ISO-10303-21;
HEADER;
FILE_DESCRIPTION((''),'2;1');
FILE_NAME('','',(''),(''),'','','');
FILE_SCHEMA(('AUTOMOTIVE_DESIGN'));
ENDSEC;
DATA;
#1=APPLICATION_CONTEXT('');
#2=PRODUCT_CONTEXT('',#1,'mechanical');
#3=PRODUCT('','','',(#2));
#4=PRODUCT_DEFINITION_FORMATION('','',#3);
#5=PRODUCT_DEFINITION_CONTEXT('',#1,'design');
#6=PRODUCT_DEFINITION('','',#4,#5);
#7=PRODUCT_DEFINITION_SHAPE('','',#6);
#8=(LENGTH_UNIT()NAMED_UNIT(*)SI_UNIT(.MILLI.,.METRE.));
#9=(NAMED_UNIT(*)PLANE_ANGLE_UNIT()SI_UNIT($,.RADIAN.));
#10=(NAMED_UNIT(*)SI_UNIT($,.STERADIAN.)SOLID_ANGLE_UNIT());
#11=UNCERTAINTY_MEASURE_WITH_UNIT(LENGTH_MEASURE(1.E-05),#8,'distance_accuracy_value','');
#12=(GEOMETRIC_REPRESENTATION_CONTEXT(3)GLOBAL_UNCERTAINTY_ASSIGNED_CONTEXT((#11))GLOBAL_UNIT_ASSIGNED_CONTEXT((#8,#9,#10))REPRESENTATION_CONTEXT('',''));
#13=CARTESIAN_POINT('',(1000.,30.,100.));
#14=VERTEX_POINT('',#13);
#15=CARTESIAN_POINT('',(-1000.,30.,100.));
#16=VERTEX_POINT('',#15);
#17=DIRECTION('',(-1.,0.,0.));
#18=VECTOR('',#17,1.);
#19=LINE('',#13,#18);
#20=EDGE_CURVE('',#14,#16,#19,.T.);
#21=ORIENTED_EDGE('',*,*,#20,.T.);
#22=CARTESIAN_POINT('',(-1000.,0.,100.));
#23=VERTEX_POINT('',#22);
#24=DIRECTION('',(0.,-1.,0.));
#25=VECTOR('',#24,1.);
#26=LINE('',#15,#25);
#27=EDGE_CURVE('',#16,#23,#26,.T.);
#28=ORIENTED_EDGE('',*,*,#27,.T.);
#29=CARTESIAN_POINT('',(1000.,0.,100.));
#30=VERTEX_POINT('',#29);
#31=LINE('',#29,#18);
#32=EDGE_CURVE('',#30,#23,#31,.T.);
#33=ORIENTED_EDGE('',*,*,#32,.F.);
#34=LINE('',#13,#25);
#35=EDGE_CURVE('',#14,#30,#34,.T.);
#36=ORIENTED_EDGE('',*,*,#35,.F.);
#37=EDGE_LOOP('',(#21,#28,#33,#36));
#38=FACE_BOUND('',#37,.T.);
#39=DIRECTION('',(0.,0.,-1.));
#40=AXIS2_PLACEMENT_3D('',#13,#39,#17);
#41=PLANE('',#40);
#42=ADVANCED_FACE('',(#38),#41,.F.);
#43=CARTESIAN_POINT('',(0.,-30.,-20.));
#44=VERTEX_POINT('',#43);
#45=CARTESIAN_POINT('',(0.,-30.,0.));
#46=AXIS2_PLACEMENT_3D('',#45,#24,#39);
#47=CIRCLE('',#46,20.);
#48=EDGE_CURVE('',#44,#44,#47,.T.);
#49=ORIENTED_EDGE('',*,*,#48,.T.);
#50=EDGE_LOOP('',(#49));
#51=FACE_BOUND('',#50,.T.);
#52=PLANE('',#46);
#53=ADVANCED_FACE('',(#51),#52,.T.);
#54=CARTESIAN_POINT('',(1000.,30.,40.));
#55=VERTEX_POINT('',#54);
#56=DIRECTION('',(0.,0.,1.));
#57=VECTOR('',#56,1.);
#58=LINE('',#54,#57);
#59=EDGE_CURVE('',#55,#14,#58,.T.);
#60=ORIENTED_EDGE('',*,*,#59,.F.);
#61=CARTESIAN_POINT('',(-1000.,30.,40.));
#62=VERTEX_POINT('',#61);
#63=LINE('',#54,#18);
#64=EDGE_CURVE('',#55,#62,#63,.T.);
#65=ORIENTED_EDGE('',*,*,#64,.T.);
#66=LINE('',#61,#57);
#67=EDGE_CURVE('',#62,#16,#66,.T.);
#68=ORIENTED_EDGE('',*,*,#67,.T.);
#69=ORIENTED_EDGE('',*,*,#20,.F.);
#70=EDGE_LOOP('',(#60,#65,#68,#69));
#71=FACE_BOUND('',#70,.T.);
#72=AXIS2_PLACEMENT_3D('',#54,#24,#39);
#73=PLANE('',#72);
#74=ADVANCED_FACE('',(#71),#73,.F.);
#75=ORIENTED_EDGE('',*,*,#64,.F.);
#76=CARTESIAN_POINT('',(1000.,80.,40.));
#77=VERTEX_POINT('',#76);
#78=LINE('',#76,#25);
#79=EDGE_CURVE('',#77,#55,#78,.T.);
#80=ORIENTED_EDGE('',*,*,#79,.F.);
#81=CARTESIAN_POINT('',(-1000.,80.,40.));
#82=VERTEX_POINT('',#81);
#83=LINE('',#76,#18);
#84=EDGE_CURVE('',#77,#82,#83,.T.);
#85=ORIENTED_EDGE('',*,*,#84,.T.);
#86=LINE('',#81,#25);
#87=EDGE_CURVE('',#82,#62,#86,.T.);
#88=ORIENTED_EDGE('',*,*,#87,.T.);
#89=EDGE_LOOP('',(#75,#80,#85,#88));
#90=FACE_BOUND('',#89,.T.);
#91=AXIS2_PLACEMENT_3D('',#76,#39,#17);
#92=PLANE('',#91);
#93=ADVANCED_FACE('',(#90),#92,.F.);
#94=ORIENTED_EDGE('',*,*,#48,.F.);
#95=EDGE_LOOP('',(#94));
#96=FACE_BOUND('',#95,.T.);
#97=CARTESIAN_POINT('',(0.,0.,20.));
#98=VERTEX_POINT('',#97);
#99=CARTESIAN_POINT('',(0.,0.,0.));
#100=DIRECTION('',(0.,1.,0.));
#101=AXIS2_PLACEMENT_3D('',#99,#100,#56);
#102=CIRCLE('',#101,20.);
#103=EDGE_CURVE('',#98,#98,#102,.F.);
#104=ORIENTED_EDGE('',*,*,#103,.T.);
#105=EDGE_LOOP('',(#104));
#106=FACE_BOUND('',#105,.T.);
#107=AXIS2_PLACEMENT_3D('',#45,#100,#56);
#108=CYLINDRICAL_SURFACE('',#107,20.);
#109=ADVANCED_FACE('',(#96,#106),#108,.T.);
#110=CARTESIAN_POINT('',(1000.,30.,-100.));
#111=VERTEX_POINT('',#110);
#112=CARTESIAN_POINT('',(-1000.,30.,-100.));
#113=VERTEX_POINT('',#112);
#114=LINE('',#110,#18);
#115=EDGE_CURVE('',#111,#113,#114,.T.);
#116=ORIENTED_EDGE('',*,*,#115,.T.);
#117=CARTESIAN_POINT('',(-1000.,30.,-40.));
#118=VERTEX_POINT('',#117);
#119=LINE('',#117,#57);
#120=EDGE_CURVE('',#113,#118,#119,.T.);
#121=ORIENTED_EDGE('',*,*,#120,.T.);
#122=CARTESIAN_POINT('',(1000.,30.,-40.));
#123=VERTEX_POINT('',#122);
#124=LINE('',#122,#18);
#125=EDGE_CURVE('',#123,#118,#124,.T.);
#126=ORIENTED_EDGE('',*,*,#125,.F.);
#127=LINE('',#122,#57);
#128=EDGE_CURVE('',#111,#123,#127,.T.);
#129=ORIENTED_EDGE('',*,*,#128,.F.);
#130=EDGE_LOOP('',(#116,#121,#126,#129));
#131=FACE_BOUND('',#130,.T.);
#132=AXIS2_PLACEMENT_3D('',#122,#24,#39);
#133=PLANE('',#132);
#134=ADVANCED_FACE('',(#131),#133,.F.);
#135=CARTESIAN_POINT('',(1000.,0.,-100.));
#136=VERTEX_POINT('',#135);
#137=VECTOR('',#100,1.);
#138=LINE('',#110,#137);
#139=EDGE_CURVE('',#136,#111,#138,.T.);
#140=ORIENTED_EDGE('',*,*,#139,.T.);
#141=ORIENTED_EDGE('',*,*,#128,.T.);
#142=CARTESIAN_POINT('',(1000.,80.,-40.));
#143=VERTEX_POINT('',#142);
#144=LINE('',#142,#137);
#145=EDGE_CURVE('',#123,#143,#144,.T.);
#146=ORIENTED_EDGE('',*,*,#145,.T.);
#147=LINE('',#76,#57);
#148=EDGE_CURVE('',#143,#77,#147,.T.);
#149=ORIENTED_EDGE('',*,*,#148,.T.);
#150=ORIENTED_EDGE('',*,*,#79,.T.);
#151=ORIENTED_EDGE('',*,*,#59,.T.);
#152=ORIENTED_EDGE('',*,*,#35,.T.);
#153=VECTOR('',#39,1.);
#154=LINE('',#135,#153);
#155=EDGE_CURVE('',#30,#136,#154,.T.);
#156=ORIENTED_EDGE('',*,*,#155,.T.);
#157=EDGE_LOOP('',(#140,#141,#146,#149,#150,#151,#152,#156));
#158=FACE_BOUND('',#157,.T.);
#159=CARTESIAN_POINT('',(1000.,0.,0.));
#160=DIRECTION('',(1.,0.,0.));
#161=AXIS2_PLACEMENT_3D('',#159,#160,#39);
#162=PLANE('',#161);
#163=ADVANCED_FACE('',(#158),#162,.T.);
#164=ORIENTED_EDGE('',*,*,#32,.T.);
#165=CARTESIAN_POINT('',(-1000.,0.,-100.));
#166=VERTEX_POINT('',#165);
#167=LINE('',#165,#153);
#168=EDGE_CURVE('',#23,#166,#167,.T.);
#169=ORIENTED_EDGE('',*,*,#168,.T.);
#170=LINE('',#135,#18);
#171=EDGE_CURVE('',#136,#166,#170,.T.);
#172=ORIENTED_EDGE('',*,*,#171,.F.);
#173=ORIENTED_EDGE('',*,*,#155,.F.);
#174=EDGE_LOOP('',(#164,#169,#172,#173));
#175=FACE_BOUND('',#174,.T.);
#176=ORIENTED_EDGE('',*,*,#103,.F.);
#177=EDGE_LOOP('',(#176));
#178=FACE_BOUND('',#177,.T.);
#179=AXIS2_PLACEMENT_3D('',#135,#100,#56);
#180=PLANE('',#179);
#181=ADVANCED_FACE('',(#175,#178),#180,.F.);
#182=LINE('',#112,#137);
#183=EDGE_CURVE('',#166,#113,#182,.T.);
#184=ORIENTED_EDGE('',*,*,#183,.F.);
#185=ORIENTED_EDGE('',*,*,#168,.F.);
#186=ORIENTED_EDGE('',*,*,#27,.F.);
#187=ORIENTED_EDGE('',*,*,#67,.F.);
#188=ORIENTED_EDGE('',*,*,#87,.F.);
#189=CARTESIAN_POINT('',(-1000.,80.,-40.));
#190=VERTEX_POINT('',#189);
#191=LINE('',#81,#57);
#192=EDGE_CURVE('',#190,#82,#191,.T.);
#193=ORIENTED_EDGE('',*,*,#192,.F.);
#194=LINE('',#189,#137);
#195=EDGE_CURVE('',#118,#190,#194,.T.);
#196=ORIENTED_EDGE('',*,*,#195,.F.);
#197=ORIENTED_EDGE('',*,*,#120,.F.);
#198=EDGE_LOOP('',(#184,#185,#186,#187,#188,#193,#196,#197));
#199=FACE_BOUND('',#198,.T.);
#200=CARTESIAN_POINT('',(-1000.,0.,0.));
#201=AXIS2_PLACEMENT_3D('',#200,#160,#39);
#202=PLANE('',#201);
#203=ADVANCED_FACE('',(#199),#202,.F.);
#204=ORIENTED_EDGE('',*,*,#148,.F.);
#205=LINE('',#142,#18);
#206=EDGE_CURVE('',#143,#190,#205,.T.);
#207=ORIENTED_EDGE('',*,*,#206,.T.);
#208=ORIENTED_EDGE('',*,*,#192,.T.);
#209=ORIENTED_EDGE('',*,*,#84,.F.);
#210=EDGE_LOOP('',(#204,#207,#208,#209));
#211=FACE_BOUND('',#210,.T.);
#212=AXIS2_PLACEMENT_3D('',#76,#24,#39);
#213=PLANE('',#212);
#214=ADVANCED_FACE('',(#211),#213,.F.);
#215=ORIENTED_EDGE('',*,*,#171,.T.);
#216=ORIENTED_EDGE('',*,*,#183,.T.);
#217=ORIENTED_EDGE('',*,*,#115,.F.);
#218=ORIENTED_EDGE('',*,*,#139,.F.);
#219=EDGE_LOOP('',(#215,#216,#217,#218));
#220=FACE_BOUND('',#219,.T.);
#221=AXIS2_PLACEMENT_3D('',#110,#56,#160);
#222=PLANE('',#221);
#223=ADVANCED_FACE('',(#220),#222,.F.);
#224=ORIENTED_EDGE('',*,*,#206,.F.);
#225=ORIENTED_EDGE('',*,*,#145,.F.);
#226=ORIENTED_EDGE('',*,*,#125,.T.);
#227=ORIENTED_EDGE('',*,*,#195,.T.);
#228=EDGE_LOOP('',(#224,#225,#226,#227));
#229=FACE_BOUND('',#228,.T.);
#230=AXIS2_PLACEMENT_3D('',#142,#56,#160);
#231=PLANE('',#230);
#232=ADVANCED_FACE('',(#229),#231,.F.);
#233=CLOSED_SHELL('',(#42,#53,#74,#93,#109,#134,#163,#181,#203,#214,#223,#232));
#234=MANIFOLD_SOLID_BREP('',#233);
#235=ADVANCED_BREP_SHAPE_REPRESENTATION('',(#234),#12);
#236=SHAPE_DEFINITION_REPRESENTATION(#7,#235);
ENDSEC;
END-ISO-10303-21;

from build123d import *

# Parameters (mm, degrees)
RESSALTO_EXTRUS_O1_DEPTH = 1000
ESBO_O2_R                = 20
RESSALTO_EXTRUS_O2_DEPTH = 30


with BuildPart() as part:
    # Esboço1 → Ressalto-extrusão1 (new body, symmetric)
    with BuildSketch(Plane(origin=(0, 0, 0), x_dir=(0, 0, -1), z_dir=(1, 0, 0))):
        Polygon((-40, 80), (40, 80), (40, 30), (100, 30), (100, 0), (-100, 0), (-100, 30), (-40, 30), align=None)
    extrude(amount=RESSALTO_EXTRUS_O1_DEPTH, both=True)

    # Esboço2 → Ressalto-extrusão2 (add)
    with BuildSketch(Plane(origin=(0, 0, 0), x_dir=(-1, 0, 0), z_dir=(0, -1, 0))):
        Circle(ESBO_O2_R)
    extrude(amount=RESSALTO_EXTRUS_O2_DEPTH)


solid = part.part
